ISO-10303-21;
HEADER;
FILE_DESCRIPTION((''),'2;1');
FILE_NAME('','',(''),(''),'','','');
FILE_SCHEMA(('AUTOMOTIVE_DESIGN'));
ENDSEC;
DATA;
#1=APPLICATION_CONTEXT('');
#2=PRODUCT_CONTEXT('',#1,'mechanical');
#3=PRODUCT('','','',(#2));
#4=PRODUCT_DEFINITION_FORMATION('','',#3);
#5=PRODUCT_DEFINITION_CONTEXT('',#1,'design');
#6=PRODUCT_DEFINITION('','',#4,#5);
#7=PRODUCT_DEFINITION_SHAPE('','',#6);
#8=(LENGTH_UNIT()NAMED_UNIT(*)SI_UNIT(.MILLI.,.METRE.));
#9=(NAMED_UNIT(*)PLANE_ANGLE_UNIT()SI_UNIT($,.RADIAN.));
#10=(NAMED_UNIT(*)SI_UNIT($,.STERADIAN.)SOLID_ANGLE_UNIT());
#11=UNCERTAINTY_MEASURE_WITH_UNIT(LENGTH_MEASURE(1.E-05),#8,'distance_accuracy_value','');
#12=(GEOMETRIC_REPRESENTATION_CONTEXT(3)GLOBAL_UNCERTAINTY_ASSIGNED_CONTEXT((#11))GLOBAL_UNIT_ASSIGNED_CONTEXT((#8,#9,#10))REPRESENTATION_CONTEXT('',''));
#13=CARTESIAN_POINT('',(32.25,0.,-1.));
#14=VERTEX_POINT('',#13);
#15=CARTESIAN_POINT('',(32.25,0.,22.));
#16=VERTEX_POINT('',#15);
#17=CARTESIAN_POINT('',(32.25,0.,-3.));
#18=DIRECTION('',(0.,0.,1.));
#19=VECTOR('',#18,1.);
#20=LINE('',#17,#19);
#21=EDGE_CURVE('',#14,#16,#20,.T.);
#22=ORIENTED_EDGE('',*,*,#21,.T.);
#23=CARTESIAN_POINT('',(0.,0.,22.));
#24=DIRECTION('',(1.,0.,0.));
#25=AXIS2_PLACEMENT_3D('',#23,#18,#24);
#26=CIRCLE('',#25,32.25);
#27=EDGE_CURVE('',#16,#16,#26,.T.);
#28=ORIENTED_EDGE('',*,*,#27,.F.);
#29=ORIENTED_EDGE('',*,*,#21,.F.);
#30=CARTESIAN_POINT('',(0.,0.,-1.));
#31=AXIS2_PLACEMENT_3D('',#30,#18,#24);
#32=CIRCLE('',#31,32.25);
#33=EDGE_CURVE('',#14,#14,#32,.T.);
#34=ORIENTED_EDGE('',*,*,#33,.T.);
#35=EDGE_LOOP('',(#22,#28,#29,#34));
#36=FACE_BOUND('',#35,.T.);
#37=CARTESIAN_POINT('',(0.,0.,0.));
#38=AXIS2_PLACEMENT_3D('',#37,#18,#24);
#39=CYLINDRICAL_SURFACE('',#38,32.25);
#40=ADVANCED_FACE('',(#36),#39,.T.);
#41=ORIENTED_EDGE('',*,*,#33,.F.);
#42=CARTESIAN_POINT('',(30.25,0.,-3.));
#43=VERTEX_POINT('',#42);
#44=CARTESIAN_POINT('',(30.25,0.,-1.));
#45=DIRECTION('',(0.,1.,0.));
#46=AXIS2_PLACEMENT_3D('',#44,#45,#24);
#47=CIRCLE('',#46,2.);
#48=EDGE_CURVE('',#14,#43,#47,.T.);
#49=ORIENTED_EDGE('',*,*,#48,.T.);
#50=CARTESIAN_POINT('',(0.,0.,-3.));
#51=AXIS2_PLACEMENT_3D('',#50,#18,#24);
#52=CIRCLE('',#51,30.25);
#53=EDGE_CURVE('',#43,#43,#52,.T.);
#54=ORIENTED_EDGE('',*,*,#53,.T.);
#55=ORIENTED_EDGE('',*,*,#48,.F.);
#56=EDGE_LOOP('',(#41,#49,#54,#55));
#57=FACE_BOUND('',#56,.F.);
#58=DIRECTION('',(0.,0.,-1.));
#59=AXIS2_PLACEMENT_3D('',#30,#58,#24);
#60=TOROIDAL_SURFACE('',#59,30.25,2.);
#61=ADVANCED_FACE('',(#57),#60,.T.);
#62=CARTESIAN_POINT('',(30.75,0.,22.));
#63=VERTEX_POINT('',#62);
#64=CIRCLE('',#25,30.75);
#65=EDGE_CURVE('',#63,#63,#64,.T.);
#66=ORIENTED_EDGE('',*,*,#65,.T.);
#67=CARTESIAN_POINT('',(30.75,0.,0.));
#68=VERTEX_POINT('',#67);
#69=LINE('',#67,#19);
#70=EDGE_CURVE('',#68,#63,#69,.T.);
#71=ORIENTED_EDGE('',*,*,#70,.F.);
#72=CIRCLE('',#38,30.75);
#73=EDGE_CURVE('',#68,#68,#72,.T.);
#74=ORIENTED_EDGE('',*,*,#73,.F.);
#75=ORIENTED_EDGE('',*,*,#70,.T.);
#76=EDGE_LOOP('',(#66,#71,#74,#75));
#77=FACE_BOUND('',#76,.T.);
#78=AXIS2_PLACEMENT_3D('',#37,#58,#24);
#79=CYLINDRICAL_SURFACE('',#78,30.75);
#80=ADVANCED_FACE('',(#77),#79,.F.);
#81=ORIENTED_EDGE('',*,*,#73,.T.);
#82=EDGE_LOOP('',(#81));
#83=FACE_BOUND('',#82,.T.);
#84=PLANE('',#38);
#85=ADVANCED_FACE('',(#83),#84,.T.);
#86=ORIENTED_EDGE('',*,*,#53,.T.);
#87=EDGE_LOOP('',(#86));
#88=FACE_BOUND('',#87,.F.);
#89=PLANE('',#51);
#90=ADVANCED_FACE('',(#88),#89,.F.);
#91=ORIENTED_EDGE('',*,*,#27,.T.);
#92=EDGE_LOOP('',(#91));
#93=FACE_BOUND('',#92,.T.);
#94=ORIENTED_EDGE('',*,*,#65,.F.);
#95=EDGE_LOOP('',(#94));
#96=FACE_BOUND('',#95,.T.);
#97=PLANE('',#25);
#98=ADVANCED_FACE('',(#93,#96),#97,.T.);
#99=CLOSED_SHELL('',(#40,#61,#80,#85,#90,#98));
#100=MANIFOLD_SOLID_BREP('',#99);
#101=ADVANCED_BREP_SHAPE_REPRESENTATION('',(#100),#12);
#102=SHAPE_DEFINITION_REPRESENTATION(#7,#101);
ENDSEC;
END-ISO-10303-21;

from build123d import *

# Parameters (mm, degrees)
F0_R     = 32.25
F0_R_2   = 30.75
F1_DEPTH = 22
F2_R     = 32.25
F3_DEPTH = 3
F4_R     = 2


with BuildPart() as f1:
    # F0 (on Top) → F1 (new body)
    with BuildSketch(Plane.XY):
        Circle(F0_R)
        Circle(F0_R_2, mode=Mode.SUBTRACT)
    extrude(amount=F1_DEPTH)

    # F2 (on Top) → F3 (join)
    with BuildSketch(Plane.XY):
        Circle(F2_R)
    extrude(amount=-F3_DEPTH)

    # F4
    f4_edges = [f1.edges().sort_by_distance(p)[0] for p in [
        (-32.25, 0, -3),
    ]]
    fillet(f4_edges, radius=F4_R)


solid = f1.part
